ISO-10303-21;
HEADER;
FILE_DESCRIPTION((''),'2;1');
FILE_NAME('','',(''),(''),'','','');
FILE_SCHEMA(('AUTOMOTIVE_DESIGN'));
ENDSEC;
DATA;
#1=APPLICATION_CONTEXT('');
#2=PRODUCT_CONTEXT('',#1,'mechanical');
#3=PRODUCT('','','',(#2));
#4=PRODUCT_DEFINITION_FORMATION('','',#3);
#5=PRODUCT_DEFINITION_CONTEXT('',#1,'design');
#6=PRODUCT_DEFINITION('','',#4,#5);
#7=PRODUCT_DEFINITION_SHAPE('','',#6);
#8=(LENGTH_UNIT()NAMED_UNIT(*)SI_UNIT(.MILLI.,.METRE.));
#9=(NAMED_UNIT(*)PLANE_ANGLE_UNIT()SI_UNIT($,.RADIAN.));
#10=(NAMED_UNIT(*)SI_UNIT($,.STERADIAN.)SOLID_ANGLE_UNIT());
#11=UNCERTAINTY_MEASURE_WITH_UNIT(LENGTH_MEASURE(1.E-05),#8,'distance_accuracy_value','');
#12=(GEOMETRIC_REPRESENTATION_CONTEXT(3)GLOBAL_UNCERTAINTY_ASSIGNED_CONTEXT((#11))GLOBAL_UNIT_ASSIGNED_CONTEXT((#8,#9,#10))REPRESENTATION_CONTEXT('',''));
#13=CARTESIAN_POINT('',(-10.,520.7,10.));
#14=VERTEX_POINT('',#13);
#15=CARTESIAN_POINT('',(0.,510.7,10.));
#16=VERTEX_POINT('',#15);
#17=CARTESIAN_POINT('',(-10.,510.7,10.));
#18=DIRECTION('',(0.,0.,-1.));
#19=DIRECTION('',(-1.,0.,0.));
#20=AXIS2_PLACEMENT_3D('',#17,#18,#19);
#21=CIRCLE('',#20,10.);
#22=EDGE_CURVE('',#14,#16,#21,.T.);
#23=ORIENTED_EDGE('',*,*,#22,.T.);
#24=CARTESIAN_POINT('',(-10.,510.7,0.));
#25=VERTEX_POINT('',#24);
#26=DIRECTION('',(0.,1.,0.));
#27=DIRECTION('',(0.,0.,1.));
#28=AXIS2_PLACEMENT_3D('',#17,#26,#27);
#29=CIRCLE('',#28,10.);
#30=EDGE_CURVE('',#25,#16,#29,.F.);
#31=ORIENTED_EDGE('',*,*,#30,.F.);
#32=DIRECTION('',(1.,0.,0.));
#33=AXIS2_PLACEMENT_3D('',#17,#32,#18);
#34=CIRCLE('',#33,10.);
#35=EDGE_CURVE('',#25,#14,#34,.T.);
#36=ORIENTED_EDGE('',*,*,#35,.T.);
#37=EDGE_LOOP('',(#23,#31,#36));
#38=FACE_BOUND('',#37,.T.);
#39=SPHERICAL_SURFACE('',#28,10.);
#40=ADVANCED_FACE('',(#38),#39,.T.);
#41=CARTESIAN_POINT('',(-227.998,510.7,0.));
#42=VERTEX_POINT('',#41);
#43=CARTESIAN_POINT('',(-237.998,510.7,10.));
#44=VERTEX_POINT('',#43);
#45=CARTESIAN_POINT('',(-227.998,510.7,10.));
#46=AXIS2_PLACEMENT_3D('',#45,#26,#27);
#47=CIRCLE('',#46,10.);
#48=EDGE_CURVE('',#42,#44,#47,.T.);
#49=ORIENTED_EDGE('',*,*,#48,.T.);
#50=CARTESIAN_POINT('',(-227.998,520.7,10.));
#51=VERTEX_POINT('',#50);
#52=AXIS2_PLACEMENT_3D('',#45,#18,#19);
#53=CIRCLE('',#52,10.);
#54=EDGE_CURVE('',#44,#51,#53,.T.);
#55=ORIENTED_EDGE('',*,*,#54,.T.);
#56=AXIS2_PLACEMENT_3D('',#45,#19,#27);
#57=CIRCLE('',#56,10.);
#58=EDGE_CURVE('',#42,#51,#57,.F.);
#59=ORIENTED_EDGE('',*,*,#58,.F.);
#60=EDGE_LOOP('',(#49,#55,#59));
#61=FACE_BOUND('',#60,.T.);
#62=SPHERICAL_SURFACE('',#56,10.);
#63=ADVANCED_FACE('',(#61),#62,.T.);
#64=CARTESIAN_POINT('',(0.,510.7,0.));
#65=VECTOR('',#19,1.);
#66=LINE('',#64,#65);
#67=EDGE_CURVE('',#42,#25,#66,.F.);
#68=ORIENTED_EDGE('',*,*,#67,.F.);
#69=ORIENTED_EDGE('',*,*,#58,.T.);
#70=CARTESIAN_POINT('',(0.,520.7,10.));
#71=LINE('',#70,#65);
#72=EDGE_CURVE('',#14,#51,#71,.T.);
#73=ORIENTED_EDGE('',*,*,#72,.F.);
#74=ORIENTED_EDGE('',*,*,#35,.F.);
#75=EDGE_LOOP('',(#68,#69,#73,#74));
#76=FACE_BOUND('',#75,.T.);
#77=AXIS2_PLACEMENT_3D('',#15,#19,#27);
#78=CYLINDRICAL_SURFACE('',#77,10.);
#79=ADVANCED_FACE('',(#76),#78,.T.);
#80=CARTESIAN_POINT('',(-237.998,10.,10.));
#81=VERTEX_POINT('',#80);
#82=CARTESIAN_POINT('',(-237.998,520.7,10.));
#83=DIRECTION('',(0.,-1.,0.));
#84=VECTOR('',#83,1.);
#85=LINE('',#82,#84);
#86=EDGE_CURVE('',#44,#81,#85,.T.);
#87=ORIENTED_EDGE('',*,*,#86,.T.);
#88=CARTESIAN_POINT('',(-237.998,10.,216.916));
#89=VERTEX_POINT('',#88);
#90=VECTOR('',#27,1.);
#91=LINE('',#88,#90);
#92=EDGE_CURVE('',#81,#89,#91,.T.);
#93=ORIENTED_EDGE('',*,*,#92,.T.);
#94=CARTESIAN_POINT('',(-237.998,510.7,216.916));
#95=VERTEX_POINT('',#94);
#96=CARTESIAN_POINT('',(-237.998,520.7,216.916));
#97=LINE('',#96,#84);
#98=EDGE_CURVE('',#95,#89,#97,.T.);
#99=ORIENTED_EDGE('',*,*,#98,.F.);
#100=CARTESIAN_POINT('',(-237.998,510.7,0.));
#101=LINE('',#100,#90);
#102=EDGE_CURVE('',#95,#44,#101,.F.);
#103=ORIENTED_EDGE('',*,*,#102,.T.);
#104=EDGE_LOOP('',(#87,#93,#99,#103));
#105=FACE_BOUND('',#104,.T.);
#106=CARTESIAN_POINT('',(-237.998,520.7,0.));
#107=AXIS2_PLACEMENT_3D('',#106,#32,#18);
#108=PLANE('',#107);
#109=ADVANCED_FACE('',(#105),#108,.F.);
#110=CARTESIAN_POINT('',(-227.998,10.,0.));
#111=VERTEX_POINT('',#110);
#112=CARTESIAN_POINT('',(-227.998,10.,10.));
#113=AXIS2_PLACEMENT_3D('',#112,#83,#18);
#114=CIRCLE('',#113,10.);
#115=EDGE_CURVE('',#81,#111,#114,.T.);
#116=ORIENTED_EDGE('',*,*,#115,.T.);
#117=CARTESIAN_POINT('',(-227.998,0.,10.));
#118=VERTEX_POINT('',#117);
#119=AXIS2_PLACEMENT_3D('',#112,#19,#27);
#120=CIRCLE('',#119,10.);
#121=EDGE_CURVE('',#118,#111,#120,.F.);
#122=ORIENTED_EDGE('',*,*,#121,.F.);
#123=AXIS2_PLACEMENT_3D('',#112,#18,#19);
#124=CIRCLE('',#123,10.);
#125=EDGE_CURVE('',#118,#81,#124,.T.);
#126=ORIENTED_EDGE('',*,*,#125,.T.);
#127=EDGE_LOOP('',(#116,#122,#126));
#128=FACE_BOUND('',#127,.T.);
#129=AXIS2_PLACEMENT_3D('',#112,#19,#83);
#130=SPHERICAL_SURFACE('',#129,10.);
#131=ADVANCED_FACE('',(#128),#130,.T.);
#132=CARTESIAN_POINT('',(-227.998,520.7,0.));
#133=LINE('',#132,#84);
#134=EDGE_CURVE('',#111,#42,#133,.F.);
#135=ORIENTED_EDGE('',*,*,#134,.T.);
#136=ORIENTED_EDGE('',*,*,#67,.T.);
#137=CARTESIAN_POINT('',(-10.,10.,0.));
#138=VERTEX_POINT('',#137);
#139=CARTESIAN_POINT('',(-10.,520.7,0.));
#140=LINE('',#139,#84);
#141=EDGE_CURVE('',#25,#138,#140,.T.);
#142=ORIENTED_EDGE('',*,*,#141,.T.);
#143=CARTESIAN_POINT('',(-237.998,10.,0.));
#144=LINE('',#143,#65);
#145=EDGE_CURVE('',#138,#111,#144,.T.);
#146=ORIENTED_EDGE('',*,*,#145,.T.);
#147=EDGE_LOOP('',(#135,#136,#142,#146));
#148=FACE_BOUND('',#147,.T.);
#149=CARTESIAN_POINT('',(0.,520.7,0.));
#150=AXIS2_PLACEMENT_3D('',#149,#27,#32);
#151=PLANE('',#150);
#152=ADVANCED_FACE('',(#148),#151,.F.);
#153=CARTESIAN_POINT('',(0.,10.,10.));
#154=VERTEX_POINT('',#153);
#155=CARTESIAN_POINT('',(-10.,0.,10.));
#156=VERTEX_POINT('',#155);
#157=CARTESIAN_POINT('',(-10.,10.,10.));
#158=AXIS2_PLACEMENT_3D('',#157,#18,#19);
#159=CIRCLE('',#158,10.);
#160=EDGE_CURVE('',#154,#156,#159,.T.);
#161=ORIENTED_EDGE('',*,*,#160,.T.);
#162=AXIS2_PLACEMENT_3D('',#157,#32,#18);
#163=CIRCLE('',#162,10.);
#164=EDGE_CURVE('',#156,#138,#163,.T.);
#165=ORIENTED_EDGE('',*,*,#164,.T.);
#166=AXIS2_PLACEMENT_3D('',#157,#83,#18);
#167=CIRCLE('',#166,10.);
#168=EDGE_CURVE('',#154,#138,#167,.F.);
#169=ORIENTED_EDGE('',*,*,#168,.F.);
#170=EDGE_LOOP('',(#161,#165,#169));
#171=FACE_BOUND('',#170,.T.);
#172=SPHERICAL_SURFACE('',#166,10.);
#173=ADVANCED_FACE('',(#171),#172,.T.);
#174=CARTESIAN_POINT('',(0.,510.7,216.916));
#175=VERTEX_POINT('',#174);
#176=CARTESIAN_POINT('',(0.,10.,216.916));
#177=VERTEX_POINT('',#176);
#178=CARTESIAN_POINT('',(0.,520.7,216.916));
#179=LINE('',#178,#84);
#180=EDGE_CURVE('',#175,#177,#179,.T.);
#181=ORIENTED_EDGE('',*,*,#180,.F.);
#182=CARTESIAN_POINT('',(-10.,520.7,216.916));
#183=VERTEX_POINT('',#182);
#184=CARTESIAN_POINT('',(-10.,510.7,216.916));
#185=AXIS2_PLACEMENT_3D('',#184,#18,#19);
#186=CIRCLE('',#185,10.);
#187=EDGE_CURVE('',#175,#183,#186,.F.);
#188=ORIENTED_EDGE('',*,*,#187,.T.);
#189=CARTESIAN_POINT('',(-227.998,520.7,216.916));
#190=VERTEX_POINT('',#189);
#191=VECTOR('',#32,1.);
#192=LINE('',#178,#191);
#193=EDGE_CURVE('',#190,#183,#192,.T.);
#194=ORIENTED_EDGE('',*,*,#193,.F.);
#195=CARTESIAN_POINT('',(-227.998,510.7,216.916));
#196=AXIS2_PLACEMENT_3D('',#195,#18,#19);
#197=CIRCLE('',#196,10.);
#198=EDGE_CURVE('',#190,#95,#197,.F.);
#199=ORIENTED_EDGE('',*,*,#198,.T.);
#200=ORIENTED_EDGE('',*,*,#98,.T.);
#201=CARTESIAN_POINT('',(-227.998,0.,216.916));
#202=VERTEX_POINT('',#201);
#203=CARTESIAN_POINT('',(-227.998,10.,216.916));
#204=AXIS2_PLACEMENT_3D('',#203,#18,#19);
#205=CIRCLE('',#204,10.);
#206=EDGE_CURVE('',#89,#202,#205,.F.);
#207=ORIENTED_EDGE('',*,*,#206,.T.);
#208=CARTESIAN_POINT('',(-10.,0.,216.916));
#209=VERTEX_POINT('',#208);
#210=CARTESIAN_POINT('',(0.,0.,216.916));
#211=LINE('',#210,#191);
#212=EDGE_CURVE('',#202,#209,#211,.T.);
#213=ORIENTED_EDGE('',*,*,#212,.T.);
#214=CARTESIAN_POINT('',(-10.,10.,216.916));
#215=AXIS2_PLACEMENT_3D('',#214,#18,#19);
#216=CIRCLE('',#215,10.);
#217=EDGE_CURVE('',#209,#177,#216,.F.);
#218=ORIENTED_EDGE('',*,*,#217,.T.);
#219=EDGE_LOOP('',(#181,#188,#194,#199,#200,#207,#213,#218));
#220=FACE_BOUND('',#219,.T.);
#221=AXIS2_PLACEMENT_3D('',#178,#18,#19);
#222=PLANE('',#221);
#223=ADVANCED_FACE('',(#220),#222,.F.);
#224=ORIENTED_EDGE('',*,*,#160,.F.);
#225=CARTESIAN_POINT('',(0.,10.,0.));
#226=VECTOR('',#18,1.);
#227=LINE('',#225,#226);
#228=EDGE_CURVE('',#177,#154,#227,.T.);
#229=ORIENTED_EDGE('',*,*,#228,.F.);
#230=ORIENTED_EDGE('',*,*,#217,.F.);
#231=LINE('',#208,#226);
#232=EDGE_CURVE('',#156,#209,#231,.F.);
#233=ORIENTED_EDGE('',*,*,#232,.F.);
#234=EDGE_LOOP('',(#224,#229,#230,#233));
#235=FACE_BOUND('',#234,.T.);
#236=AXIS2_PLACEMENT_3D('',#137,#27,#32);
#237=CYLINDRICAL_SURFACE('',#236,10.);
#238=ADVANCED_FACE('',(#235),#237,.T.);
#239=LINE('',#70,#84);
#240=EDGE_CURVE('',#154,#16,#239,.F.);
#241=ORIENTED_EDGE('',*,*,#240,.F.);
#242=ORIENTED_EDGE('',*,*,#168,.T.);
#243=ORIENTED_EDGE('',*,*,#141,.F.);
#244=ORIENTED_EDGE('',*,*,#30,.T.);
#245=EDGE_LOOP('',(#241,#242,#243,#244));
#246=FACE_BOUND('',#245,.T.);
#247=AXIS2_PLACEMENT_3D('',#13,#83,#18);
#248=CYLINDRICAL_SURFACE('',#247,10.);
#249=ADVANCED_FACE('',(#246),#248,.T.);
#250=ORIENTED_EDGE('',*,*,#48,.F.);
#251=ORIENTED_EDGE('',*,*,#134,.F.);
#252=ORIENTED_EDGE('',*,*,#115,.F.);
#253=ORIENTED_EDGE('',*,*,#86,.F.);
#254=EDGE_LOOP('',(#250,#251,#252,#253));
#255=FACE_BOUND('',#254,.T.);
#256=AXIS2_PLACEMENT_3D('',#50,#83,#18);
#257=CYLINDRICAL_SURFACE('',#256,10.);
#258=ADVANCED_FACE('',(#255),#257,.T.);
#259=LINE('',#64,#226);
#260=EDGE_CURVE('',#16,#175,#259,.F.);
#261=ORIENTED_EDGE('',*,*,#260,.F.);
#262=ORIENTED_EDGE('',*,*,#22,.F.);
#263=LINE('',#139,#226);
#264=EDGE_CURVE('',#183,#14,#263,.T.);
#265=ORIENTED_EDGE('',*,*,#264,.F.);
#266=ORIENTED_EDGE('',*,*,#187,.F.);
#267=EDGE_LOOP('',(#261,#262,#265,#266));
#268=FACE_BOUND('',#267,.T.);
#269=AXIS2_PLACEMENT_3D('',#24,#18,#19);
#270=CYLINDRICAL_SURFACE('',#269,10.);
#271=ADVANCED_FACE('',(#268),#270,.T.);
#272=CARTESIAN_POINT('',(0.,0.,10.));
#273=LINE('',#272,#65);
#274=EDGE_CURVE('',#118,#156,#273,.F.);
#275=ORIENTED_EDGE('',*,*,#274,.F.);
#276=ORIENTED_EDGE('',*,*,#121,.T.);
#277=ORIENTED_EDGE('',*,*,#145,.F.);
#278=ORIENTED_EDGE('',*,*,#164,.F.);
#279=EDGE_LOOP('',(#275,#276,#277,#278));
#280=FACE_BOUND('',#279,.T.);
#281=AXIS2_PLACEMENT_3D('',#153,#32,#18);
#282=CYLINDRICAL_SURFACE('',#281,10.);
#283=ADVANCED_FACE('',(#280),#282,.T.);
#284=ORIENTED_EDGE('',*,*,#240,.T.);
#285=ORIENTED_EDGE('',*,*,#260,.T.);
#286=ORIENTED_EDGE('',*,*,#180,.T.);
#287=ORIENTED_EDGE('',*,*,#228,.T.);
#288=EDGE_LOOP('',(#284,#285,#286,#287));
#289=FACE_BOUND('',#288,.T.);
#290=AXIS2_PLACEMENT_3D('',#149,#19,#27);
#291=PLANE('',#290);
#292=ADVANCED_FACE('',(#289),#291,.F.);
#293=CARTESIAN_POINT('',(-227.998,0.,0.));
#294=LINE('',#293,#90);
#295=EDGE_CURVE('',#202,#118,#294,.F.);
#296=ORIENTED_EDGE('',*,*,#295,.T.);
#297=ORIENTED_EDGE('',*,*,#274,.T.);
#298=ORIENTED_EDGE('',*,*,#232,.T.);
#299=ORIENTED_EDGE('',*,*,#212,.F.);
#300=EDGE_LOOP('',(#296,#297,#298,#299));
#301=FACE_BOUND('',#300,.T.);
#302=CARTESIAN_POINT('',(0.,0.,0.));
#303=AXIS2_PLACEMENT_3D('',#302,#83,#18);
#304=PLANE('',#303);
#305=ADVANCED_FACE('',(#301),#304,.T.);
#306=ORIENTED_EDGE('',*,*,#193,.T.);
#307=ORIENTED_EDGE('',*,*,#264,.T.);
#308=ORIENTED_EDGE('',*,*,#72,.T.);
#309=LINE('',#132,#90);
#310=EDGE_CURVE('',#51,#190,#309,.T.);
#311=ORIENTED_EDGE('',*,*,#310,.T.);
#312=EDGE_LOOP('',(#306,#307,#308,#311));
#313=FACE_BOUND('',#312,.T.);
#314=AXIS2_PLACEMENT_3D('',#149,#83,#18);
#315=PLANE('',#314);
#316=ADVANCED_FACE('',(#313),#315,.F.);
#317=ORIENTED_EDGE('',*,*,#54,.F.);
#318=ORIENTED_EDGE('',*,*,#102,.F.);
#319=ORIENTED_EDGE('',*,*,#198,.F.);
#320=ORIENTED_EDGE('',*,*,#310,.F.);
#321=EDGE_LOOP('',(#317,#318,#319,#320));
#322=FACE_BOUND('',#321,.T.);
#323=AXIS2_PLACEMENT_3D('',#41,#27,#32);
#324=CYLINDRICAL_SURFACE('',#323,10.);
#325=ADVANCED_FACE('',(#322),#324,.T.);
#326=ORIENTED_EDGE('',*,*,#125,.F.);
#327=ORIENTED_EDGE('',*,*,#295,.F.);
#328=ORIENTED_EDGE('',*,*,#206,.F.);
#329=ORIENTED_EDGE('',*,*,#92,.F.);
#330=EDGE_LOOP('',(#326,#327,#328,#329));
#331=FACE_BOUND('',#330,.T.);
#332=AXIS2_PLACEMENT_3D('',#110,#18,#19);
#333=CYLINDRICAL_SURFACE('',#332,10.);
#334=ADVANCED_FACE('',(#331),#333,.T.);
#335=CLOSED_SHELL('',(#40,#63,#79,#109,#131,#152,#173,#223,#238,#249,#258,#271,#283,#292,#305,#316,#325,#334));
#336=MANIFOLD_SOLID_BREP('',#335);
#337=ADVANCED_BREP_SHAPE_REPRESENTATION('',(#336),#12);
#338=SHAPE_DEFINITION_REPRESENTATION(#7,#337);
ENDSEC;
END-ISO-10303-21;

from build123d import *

# Parameters (mm, degrees)
SKETCH1_W           = 237.998
SKETCH1_H           = 216.916
BOSS_EXTRUDE1_DEPTH = 520.7
FILLET1_R           = 10


with BuildPart() as part:
    # Sketch1 → Boss-Extrude1 (new body)
    with BuildSketch(Plane(origin=(0, 0, 0), x_dir=(1, 0, 0), z_dir=(0, 1, 0))):
        with Locations((-118.999, -108.458)):
            Rectangle(SKETCH1_W, SKETCH1_H)
    extrude(amount=BOSS_EXTRUDE1_DEPTH)

    # Fillet1
    fillet1_edges = [part.edges().sort_by_distance(p)[0] for p in [
        (-237.998, 520.7, 108.458),
        (0, 520.7, 108.458),
        (-237.998, 0, 108.458),
        (-118.999, 0, 0),
        (0, 0, 108.458),
        (-237.998, 260.35, 0),
        (0, 260.35, 0),
        (-118.999, 520.7, 0),
    ]]
    fillet(fillet1_edges, radius=FILLET1_R)


solid = part.part
